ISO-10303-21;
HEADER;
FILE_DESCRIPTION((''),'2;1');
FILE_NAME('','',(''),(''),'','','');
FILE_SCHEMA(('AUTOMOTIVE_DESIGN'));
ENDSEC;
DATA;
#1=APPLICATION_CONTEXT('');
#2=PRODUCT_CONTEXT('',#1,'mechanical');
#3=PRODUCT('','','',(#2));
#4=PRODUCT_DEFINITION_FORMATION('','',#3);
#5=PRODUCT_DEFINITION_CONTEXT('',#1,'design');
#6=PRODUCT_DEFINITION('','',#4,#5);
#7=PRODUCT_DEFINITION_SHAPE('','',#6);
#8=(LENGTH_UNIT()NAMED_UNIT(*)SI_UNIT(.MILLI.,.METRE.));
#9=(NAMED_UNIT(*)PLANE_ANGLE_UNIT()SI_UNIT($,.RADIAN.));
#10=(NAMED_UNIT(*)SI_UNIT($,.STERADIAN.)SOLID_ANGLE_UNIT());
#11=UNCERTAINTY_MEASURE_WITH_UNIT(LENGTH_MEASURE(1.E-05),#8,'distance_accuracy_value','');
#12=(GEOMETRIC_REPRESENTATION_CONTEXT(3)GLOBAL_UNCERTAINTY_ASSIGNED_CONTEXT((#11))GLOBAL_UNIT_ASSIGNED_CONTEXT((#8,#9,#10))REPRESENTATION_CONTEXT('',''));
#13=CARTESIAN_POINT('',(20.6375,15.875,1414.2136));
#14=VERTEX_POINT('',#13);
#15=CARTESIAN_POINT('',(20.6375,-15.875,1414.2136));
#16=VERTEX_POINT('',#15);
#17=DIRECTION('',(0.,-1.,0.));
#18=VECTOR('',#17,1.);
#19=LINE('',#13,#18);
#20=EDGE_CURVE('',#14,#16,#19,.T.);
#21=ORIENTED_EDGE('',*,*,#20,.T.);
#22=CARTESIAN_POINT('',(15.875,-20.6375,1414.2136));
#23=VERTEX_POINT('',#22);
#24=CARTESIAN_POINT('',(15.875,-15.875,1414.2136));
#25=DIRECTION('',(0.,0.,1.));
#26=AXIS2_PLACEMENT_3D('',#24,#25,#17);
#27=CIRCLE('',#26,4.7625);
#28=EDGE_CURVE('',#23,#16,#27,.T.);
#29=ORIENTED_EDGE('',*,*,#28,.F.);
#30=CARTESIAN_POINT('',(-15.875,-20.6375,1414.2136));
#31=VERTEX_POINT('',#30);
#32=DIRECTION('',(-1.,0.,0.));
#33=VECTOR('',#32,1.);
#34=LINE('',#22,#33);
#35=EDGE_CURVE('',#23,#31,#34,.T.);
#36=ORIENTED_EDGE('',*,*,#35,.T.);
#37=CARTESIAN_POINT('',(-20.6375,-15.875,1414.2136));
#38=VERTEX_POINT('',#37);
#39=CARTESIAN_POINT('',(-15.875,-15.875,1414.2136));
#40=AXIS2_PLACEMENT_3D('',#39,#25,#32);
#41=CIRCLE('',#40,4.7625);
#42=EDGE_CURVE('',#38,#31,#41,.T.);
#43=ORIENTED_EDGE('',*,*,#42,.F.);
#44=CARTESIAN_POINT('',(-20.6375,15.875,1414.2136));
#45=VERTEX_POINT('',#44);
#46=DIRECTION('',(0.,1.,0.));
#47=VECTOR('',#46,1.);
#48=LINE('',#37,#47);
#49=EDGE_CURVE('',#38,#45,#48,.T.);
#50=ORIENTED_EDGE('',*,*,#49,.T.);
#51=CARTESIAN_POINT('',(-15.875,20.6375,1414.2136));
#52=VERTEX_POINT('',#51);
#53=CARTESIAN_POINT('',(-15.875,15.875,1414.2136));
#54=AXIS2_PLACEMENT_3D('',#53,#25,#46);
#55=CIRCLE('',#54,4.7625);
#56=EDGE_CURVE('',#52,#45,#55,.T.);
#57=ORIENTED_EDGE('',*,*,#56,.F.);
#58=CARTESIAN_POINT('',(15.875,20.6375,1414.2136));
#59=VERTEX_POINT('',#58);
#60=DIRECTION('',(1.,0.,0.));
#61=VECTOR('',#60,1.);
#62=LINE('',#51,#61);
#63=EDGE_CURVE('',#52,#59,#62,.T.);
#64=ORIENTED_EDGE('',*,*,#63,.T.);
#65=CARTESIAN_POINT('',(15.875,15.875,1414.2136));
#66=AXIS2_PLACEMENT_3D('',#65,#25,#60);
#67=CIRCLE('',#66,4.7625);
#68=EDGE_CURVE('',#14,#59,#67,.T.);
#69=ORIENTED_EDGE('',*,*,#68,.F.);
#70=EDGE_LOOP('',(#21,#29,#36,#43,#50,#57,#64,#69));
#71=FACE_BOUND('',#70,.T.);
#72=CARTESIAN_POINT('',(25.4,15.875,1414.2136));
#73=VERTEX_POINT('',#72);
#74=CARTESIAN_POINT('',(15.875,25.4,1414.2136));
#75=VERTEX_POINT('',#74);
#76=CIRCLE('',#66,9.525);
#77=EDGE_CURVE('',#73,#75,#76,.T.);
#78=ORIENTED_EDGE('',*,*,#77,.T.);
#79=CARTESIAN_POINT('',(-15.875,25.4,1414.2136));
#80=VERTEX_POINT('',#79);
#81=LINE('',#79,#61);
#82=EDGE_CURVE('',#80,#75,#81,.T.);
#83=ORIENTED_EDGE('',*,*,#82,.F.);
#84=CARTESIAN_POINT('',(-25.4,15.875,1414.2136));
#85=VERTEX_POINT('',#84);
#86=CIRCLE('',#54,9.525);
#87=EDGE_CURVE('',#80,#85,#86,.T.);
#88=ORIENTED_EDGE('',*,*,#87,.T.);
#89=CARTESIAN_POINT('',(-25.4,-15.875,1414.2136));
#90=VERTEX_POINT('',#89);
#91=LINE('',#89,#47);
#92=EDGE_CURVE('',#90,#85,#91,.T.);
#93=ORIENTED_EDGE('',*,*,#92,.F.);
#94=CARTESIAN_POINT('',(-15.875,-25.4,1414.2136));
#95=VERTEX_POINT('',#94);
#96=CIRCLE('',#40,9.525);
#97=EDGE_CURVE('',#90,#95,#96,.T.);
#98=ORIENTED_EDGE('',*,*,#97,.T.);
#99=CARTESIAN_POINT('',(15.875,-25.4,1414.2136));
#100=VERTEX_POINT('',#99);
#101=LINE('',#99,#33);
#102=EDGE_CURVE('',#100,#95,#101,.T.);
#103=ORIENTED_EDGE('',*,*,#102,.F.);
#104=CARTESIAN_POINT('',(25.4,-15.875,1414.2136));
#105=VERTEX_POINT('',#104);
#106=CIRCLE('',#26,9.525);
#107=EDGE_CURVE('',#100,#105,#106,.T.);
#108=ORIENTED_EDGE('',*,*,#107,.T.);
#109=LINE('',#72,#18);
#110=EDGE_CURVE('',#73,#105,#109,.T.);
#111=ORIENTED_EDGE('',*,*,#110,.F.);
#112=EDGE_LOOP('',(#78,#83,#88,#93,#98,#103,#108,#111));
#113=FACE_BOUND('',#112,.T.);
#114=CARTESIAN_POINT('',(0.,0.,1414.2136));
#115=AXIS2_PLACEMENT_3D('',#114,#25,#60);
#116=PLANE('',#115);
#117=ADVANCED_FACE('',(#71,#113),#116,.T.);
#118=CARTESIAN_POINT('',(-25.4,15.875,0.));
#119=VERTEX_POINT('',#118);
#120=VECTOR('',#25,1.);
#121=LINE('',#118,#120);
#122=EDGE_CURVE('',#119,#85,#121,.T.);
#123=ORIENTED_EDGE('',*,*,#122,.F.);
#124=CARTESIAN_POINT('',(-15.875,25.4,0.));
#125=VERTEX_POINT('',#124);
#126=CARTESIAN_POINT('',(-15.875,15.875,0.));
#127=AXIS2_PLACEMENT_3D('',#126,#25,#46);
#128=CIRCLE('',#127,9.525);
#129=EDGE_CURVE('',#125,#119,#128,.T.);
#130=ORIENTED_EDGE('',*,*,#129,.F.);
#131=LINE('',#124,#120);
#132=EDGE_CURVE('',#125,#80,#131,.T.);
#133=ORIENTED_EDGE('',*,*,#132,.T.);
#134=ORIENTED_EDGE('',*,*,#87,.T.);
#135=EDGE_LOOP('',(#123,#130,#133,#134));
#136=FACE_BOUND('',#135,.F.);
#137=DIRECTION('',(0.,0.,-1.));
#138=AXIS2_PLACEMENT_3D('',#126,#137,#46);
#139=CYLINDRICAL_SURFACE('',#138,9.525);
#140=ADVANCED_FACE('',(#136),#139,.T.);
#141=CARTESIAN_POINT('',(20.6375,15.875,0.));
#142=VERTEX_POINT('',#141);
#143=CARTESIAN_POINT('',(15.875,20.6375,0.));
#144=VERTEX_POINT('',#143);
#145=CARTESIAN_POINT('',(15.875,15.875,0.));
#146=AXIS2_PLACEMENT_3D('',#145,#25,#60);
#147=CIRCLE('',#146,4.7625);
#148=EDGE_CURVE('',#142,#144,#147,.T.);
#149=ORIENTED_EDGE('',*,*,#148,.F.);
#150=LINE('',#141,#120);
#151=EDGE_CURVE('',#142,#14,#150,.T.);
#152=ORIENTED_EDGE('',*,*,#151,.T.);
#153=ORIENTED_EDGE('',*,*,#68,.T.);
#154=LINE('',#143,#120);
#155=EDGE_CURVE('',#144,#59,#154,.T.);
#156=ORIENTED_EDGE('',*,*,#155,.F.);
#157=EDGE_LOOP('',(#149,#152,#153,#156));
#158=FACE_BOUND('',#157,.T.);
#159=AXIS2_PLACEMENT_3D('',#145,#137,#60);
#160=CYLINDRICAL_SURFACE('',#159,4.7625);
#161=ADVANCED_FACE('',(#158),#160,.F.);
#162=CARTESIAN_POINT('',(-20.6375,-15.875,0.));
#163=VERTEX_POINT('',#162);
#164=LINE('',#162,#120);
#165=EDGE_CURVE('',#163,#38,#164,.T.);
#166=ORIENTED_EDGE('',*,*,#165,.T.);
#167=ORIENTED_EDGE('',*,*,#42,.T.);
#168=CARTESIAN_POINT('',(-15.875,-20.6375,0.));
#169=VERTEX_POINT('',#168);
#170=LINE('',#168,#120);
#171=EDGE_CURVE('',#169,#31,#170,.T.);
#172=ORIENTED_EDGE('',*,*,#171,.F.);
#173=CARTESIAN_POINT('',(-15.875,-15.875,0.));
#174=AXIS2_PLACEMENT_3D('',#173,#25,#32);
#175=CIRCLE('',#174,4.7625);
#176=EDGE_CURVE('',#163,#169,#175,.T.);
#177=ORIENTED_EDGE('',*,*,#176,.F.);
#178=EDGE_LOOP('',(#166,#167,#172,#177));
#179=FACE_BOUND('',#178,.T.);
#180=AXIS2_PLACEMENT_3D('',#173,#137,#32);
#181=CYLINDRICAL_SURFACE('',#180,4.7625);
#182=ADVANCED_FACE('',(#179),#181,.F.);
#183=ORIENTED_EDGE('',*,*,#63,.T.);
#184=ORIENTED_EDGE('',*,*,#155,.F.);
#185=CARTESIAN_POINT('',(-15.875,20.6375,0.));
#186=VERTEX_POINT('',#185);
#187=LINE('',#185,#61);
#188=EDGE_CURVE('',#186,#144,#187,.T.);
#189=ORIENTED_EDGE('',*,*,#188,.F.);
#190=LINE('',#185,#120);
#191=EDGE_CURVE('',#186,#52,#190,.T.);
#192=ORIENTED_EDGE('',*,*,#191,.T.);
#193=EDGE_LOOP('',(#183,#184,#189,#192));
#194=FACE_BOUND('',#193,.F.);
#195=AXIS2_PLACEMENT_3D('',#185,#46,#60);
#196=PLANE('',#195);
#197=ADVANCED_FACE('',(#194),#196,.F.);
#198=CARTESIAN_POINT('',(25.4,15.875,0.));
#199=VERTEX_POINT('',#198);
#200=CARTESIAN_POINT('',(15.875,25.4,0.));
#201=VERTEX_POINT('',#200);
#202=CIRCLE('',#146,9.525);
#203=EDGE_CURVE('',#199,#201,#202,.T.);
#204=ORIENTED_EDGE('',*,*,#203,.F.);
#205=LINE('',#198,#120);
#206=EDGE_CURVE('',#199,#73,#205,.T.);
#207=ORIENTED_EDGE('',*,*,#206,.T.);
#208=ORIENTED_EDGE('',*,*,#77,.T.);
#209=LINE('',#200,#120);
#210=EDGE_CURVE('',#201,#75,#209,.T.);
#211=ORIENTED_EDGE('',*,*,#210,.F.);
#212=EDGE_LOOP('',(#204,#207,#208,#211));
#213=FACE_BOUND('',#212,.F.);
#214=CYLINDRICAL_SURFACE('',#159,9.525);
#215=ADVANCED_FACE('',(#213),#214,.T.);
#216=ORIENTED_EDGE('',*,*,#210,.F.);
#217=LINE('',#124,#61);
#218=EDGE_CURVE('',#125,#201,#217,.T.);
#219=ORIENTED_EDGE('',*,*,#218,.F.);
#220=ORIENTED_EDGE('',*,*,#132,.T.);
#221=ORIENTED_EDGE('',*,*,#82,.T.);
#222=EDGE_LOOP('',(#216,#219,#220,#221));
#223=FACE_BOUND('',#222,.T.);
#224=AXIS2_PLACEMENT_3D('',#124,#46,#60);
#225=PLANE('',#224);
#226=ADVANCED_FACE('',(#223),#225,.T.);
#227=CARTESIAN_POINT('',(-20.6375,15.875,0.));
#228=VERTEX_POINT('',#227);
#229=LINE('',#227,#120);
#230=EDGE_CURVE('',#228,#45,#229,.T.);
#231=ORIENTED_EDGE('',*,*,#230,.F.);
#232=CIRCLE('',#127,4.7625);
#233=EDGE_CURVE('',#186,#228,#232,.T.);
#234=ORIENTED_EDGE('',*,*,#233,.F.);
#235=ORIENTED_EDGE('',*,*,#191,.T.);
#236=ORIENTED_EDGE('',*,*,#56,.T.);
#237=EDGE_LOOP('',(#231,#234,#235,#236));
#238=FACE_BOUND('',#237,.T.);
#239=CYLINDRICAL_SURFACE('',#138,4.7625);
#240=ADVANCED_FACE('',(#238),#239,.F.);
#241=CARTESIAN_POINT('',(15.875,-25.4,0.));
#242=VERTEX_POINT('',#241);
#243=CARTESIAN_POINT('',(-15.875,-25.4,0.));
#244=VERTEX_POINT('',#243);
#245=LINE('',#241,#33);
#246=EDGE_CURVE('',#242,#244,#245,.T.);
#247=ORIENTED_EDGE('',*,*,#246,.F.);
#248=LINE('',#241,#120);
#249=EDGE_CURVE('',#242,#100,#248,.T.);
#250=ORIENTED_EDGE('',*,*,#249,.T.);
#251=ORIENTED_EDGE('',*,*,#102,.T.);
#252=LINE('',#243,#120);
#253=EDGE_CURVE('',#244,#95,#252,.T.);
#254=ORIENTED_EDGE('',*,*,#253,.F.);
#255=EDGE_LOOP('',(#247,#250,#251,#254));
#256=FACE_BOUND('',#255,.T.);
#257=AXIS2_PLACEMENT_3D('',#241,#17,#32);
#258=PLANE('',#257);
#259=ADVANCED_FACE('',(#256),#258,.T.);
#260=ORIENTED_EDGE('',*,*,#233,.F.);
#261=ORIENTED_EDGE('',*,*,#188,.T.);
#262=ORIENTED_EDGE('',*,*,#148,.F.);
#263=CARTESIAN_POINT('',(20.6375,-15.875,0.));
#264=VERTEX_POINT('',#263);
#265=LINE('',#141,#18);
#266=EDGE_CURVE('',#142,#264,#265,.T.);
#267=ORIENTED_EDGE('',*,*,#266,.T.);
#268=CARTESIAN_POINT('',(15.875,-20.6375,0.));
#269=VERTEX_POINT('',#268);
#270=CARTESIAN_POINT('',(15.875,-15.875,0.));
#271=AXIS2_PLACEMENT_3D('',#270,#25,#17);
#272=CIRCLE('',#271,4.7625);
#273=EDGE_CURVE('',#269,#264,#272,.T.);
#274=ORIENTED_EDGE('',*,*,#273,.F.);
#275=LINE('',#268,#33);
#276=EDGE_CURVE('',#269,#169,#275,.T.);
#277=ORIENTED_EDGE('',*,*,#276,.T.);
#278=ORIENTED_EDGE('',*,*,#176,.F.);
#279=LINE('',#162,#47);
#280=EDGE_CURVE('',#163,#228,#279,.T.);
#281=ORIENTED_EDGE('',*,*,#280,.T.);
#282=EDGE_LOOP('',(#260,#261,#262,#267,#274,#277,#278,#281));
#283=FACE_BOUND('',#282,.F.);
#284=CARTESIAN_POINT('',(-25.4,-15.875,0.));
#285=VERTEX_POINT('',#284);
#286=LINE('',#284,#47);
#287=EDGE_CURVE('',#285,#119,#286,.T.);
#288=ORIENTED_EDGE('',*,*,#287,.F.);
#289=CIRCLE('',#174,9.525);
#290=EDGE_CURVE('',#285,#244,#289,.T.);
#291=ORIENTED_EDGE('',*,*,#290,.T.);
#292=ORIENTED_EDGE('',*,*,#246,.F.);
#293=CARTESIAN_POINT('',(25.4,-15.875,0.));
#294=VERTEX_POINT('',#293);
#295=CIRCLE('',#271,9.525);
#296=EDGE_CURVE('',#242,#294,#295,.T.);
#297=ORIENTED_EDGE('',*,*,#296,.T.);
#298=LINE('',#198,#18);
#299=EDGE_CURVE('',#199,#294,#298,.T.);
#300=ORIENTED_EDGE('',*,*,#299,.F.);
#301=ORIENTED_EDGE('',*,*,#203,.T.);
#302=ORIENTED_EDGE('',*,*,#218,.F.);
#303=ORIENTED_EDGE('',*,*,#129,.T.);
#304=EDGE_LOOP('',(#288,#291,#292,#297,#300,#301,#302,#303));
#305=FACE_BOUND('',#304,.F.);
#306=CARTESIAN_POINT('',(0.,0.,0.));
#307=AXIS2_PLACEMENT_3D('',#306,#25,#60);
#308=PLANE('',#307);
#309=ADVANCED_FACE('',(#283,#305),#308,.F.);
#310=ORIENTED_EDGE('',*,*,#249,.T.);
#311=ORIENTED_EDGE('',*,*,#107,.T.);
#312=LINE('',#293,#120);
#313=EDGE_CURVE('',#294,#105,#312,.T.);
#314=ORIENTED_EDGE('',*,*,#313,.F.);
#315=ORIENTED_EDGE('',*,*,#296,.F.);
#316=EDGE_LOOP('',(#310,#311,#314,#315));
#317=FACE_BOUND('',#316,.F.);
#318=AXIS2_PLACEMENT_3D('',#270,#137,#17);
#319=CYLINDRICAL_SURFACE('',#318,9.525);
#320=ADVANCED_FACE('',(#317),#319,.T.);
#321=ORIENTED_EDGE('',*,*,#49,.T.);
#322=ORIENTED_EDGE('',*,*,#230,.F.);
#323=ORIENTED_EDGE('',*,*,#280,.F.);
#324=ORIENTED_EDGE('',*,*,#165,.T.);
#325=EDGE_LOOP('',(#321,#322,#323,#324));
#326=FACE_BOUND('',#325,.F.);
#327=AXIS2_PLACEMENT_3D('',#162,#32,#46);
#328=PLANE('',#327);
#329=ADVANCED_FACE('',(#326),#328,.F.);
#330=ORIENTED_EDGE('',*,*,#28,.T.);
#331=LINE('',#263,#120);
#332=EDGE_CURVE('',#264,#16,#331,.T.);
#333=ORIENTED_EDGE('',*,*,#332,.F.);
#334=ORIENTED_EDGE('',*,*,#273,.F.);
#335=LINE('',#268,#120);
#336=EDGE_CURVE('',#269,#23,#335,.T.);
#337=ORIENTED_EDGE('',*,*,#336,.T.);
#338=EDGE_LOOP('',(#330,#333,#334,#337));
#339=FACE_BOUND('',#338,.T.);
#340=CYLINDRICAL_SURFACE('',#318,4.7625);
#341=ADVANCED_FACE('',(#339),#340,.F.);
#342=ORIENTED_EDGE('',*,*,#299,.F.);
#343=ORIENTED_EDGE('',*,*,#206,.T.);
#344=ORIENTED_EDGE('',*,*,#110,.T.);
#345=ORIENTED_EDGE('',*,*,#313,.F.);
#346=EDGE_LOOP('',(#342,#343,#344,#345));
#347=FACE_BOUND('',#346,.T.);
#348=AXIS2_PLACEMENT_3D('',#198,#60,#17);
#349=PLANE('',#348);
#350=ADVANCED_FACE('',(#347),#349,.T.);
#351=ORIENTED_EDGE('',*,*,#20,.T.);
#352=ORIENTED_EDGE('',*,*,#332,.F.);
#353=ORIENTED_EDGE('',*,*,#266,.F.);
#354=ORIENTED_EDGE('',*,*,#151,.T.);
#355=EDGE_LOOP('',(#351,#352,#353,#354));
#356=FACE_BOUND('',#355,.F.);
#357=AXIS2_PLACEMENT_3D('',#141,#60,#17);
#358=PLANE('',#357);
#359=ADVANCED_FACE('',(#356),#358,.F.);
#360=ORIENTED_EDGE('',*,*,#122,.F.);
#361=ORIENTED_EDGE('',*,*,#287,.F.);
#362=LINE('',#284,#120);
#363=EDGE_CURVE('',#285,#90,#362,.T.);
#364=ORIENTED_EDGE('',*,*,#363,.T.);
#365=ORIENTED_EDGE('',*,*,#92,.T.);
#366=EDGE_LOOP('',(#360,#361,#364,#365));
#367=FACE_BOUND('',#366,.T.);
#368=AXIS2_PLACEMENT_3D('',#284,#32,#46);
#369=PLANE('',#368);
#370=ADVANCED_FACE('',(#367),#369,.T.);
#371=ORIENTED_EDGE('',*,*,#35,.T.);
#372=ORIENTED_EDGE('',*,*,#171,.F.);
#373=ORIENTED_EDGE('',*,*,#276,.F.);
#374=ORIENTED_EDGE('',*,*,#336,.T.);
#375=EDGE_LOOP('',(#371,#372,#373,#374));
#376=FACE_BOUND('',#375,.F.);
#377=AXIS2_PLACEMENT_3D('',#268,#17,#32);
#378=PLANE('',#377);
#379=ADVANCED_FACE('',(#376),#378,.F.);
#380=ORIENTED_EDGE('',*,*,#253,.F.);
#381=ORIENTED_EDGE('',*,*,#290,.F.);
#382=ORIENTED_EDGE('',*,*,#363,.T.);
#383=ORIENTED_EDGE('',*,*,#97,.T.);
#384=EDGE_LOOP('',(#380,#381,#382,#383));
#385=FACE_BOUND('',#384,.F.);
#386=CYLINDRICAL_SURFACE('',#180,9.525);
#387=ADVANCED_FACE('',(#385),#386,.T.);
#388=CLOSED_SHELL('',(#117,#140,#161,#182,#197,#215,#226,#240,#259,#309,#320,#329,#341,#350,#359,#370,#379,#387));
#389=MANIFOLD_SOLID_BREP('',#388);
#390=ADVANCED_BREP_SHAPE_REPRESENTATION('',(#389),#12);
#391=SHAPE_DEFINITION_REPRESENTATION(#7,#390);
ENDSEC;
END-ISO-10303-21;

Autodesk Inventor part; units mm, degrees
ref_plane "YZ Plane" through (0, 0, 0) normal (1, 0, 0) x (0, 1, 0)
ref_plane "Plano inicial" through (0, 0, 0) normal (0, 0, 1) x (1, 0, 0)
ref_plane "Plano final" through (0, 0, 1414.2136) normal (0, 0, 1) x (1, 0, 0)
sketch "Esboço" plane through (0, 0, 0) normal (0, 0, 1) x (1, 0, 0)
  line L0 (-25.4, -15.875) -> (-25.4, 15.875)
  line L1 (-15.875, 25.4) -> (15.875, 25.4)
  line L2 (25.4, 15.875) -> (25.4, -15.875)
  line L3 (15.875, -25.4) -> (-15.875, -25.4)
  arc A0 (-25.4, -15.875) -> (-15.875, -25.4) centre (-15.875, -15.875) ccw
  arc A1 (-15.875, 25.4) -> (-25.4, 15.875) centre (-15.875, 15.875) ccw
  arc A2 (25.4, 15.875) -> (15.875, 25.4) centre (15.875, 15.875) ccw
  arc A3 (15.875, -25.4) -> (25.4, -15.875) centre (15.875, -15.875) ccw
  arc A4 (-15.875, 20.6375) -> (-20.6375, 15.875) centre (-15.875, 15.875) ccw
  line L4 (-15.875, 20.6375) -> (15.875, 20.6375)
  arc A5 (20.6375, 15.875) -> (15.875, 20.6375) centre (15.875, 15.875) ccw
  line L5 (20.6375, 15.875) -> (20.6375, -15.875)
  arc A6 (15.875, -20.6375) -> (20.6375, -15.875) centre (15.875, -15.875) ccw
  line L6 (15.875, -20.6375) -> (-15.875, -20.6375)
  arc A7 (-20.6375, -15.875) -> (-15.875, -20.6375) centre (-15.875, -15.875) ccw
  line L7 (-20.6375, -15.875) -> (-20.6375, 15.875)
  line L8 (0, 38.3218) -> (0, -38.3218) construction
  line L9 (-38.3218, 0) -> (38.3218, 0) construction
  dimension "d10" = 50.8
  dimension "d11" = 50.8
  dimension "d12" = 4.7625
  dimension "d15" = 25.4
  dimension "d16" = 25.4
  dimension "d17" = 9.525
extrude "Corpo" add sketch "Esboço" along normal up to surface (1414.2136 mm away) from surface at 0
sketch "Sketch3" plane through (0, 0, 0) normal (0, 0, 1) x (1, 0, 0)
  line L0 (0, 0) -> (10, 0)
ref_plane "Work Plane3" through (0, 0, 0) normal (0, -1, 0) x (1, 0, 0)
sketch "Sketch4" plane through (0, 0, 0) normal (0, -1, 0) x (1, 0, 0)
  line L0 (-2, 0) -> (12, 0)
  line L1 (-2, 1414.2136) -> (12, 1414.2136)
  dimension "d19" = 1414.2136
equation "\"d10\" = G_H"
equation "\"d11\" = G_W"
equation "\"d12\" = G_T"
equation "\"d15\" = 0.5 * d10"
equation "\"d16\" = 0.5 * d11"
equation "\"d17\" = G_IR"
equation "\"d3\" = G_L"
equation "\"G_W\" = 50.8"
equation "\"G_H\" = 50.8"
equation "\"G_T\" = 4.7625"
equation "\"G_IR\" = 9.525"
equation "\"G_L\" = d19"
equation "\"G_OFFSET_START\" = 0"
equation "\"G_OFFSET_END\" = 0"
equation "\"d14\" = G_OFFSET_END + B_L"
equation "\"B_L\" = 1414.21356"
properties part number "AISC - 2 x 2 x 3/16 - 55,678" material "Aço, suave"
